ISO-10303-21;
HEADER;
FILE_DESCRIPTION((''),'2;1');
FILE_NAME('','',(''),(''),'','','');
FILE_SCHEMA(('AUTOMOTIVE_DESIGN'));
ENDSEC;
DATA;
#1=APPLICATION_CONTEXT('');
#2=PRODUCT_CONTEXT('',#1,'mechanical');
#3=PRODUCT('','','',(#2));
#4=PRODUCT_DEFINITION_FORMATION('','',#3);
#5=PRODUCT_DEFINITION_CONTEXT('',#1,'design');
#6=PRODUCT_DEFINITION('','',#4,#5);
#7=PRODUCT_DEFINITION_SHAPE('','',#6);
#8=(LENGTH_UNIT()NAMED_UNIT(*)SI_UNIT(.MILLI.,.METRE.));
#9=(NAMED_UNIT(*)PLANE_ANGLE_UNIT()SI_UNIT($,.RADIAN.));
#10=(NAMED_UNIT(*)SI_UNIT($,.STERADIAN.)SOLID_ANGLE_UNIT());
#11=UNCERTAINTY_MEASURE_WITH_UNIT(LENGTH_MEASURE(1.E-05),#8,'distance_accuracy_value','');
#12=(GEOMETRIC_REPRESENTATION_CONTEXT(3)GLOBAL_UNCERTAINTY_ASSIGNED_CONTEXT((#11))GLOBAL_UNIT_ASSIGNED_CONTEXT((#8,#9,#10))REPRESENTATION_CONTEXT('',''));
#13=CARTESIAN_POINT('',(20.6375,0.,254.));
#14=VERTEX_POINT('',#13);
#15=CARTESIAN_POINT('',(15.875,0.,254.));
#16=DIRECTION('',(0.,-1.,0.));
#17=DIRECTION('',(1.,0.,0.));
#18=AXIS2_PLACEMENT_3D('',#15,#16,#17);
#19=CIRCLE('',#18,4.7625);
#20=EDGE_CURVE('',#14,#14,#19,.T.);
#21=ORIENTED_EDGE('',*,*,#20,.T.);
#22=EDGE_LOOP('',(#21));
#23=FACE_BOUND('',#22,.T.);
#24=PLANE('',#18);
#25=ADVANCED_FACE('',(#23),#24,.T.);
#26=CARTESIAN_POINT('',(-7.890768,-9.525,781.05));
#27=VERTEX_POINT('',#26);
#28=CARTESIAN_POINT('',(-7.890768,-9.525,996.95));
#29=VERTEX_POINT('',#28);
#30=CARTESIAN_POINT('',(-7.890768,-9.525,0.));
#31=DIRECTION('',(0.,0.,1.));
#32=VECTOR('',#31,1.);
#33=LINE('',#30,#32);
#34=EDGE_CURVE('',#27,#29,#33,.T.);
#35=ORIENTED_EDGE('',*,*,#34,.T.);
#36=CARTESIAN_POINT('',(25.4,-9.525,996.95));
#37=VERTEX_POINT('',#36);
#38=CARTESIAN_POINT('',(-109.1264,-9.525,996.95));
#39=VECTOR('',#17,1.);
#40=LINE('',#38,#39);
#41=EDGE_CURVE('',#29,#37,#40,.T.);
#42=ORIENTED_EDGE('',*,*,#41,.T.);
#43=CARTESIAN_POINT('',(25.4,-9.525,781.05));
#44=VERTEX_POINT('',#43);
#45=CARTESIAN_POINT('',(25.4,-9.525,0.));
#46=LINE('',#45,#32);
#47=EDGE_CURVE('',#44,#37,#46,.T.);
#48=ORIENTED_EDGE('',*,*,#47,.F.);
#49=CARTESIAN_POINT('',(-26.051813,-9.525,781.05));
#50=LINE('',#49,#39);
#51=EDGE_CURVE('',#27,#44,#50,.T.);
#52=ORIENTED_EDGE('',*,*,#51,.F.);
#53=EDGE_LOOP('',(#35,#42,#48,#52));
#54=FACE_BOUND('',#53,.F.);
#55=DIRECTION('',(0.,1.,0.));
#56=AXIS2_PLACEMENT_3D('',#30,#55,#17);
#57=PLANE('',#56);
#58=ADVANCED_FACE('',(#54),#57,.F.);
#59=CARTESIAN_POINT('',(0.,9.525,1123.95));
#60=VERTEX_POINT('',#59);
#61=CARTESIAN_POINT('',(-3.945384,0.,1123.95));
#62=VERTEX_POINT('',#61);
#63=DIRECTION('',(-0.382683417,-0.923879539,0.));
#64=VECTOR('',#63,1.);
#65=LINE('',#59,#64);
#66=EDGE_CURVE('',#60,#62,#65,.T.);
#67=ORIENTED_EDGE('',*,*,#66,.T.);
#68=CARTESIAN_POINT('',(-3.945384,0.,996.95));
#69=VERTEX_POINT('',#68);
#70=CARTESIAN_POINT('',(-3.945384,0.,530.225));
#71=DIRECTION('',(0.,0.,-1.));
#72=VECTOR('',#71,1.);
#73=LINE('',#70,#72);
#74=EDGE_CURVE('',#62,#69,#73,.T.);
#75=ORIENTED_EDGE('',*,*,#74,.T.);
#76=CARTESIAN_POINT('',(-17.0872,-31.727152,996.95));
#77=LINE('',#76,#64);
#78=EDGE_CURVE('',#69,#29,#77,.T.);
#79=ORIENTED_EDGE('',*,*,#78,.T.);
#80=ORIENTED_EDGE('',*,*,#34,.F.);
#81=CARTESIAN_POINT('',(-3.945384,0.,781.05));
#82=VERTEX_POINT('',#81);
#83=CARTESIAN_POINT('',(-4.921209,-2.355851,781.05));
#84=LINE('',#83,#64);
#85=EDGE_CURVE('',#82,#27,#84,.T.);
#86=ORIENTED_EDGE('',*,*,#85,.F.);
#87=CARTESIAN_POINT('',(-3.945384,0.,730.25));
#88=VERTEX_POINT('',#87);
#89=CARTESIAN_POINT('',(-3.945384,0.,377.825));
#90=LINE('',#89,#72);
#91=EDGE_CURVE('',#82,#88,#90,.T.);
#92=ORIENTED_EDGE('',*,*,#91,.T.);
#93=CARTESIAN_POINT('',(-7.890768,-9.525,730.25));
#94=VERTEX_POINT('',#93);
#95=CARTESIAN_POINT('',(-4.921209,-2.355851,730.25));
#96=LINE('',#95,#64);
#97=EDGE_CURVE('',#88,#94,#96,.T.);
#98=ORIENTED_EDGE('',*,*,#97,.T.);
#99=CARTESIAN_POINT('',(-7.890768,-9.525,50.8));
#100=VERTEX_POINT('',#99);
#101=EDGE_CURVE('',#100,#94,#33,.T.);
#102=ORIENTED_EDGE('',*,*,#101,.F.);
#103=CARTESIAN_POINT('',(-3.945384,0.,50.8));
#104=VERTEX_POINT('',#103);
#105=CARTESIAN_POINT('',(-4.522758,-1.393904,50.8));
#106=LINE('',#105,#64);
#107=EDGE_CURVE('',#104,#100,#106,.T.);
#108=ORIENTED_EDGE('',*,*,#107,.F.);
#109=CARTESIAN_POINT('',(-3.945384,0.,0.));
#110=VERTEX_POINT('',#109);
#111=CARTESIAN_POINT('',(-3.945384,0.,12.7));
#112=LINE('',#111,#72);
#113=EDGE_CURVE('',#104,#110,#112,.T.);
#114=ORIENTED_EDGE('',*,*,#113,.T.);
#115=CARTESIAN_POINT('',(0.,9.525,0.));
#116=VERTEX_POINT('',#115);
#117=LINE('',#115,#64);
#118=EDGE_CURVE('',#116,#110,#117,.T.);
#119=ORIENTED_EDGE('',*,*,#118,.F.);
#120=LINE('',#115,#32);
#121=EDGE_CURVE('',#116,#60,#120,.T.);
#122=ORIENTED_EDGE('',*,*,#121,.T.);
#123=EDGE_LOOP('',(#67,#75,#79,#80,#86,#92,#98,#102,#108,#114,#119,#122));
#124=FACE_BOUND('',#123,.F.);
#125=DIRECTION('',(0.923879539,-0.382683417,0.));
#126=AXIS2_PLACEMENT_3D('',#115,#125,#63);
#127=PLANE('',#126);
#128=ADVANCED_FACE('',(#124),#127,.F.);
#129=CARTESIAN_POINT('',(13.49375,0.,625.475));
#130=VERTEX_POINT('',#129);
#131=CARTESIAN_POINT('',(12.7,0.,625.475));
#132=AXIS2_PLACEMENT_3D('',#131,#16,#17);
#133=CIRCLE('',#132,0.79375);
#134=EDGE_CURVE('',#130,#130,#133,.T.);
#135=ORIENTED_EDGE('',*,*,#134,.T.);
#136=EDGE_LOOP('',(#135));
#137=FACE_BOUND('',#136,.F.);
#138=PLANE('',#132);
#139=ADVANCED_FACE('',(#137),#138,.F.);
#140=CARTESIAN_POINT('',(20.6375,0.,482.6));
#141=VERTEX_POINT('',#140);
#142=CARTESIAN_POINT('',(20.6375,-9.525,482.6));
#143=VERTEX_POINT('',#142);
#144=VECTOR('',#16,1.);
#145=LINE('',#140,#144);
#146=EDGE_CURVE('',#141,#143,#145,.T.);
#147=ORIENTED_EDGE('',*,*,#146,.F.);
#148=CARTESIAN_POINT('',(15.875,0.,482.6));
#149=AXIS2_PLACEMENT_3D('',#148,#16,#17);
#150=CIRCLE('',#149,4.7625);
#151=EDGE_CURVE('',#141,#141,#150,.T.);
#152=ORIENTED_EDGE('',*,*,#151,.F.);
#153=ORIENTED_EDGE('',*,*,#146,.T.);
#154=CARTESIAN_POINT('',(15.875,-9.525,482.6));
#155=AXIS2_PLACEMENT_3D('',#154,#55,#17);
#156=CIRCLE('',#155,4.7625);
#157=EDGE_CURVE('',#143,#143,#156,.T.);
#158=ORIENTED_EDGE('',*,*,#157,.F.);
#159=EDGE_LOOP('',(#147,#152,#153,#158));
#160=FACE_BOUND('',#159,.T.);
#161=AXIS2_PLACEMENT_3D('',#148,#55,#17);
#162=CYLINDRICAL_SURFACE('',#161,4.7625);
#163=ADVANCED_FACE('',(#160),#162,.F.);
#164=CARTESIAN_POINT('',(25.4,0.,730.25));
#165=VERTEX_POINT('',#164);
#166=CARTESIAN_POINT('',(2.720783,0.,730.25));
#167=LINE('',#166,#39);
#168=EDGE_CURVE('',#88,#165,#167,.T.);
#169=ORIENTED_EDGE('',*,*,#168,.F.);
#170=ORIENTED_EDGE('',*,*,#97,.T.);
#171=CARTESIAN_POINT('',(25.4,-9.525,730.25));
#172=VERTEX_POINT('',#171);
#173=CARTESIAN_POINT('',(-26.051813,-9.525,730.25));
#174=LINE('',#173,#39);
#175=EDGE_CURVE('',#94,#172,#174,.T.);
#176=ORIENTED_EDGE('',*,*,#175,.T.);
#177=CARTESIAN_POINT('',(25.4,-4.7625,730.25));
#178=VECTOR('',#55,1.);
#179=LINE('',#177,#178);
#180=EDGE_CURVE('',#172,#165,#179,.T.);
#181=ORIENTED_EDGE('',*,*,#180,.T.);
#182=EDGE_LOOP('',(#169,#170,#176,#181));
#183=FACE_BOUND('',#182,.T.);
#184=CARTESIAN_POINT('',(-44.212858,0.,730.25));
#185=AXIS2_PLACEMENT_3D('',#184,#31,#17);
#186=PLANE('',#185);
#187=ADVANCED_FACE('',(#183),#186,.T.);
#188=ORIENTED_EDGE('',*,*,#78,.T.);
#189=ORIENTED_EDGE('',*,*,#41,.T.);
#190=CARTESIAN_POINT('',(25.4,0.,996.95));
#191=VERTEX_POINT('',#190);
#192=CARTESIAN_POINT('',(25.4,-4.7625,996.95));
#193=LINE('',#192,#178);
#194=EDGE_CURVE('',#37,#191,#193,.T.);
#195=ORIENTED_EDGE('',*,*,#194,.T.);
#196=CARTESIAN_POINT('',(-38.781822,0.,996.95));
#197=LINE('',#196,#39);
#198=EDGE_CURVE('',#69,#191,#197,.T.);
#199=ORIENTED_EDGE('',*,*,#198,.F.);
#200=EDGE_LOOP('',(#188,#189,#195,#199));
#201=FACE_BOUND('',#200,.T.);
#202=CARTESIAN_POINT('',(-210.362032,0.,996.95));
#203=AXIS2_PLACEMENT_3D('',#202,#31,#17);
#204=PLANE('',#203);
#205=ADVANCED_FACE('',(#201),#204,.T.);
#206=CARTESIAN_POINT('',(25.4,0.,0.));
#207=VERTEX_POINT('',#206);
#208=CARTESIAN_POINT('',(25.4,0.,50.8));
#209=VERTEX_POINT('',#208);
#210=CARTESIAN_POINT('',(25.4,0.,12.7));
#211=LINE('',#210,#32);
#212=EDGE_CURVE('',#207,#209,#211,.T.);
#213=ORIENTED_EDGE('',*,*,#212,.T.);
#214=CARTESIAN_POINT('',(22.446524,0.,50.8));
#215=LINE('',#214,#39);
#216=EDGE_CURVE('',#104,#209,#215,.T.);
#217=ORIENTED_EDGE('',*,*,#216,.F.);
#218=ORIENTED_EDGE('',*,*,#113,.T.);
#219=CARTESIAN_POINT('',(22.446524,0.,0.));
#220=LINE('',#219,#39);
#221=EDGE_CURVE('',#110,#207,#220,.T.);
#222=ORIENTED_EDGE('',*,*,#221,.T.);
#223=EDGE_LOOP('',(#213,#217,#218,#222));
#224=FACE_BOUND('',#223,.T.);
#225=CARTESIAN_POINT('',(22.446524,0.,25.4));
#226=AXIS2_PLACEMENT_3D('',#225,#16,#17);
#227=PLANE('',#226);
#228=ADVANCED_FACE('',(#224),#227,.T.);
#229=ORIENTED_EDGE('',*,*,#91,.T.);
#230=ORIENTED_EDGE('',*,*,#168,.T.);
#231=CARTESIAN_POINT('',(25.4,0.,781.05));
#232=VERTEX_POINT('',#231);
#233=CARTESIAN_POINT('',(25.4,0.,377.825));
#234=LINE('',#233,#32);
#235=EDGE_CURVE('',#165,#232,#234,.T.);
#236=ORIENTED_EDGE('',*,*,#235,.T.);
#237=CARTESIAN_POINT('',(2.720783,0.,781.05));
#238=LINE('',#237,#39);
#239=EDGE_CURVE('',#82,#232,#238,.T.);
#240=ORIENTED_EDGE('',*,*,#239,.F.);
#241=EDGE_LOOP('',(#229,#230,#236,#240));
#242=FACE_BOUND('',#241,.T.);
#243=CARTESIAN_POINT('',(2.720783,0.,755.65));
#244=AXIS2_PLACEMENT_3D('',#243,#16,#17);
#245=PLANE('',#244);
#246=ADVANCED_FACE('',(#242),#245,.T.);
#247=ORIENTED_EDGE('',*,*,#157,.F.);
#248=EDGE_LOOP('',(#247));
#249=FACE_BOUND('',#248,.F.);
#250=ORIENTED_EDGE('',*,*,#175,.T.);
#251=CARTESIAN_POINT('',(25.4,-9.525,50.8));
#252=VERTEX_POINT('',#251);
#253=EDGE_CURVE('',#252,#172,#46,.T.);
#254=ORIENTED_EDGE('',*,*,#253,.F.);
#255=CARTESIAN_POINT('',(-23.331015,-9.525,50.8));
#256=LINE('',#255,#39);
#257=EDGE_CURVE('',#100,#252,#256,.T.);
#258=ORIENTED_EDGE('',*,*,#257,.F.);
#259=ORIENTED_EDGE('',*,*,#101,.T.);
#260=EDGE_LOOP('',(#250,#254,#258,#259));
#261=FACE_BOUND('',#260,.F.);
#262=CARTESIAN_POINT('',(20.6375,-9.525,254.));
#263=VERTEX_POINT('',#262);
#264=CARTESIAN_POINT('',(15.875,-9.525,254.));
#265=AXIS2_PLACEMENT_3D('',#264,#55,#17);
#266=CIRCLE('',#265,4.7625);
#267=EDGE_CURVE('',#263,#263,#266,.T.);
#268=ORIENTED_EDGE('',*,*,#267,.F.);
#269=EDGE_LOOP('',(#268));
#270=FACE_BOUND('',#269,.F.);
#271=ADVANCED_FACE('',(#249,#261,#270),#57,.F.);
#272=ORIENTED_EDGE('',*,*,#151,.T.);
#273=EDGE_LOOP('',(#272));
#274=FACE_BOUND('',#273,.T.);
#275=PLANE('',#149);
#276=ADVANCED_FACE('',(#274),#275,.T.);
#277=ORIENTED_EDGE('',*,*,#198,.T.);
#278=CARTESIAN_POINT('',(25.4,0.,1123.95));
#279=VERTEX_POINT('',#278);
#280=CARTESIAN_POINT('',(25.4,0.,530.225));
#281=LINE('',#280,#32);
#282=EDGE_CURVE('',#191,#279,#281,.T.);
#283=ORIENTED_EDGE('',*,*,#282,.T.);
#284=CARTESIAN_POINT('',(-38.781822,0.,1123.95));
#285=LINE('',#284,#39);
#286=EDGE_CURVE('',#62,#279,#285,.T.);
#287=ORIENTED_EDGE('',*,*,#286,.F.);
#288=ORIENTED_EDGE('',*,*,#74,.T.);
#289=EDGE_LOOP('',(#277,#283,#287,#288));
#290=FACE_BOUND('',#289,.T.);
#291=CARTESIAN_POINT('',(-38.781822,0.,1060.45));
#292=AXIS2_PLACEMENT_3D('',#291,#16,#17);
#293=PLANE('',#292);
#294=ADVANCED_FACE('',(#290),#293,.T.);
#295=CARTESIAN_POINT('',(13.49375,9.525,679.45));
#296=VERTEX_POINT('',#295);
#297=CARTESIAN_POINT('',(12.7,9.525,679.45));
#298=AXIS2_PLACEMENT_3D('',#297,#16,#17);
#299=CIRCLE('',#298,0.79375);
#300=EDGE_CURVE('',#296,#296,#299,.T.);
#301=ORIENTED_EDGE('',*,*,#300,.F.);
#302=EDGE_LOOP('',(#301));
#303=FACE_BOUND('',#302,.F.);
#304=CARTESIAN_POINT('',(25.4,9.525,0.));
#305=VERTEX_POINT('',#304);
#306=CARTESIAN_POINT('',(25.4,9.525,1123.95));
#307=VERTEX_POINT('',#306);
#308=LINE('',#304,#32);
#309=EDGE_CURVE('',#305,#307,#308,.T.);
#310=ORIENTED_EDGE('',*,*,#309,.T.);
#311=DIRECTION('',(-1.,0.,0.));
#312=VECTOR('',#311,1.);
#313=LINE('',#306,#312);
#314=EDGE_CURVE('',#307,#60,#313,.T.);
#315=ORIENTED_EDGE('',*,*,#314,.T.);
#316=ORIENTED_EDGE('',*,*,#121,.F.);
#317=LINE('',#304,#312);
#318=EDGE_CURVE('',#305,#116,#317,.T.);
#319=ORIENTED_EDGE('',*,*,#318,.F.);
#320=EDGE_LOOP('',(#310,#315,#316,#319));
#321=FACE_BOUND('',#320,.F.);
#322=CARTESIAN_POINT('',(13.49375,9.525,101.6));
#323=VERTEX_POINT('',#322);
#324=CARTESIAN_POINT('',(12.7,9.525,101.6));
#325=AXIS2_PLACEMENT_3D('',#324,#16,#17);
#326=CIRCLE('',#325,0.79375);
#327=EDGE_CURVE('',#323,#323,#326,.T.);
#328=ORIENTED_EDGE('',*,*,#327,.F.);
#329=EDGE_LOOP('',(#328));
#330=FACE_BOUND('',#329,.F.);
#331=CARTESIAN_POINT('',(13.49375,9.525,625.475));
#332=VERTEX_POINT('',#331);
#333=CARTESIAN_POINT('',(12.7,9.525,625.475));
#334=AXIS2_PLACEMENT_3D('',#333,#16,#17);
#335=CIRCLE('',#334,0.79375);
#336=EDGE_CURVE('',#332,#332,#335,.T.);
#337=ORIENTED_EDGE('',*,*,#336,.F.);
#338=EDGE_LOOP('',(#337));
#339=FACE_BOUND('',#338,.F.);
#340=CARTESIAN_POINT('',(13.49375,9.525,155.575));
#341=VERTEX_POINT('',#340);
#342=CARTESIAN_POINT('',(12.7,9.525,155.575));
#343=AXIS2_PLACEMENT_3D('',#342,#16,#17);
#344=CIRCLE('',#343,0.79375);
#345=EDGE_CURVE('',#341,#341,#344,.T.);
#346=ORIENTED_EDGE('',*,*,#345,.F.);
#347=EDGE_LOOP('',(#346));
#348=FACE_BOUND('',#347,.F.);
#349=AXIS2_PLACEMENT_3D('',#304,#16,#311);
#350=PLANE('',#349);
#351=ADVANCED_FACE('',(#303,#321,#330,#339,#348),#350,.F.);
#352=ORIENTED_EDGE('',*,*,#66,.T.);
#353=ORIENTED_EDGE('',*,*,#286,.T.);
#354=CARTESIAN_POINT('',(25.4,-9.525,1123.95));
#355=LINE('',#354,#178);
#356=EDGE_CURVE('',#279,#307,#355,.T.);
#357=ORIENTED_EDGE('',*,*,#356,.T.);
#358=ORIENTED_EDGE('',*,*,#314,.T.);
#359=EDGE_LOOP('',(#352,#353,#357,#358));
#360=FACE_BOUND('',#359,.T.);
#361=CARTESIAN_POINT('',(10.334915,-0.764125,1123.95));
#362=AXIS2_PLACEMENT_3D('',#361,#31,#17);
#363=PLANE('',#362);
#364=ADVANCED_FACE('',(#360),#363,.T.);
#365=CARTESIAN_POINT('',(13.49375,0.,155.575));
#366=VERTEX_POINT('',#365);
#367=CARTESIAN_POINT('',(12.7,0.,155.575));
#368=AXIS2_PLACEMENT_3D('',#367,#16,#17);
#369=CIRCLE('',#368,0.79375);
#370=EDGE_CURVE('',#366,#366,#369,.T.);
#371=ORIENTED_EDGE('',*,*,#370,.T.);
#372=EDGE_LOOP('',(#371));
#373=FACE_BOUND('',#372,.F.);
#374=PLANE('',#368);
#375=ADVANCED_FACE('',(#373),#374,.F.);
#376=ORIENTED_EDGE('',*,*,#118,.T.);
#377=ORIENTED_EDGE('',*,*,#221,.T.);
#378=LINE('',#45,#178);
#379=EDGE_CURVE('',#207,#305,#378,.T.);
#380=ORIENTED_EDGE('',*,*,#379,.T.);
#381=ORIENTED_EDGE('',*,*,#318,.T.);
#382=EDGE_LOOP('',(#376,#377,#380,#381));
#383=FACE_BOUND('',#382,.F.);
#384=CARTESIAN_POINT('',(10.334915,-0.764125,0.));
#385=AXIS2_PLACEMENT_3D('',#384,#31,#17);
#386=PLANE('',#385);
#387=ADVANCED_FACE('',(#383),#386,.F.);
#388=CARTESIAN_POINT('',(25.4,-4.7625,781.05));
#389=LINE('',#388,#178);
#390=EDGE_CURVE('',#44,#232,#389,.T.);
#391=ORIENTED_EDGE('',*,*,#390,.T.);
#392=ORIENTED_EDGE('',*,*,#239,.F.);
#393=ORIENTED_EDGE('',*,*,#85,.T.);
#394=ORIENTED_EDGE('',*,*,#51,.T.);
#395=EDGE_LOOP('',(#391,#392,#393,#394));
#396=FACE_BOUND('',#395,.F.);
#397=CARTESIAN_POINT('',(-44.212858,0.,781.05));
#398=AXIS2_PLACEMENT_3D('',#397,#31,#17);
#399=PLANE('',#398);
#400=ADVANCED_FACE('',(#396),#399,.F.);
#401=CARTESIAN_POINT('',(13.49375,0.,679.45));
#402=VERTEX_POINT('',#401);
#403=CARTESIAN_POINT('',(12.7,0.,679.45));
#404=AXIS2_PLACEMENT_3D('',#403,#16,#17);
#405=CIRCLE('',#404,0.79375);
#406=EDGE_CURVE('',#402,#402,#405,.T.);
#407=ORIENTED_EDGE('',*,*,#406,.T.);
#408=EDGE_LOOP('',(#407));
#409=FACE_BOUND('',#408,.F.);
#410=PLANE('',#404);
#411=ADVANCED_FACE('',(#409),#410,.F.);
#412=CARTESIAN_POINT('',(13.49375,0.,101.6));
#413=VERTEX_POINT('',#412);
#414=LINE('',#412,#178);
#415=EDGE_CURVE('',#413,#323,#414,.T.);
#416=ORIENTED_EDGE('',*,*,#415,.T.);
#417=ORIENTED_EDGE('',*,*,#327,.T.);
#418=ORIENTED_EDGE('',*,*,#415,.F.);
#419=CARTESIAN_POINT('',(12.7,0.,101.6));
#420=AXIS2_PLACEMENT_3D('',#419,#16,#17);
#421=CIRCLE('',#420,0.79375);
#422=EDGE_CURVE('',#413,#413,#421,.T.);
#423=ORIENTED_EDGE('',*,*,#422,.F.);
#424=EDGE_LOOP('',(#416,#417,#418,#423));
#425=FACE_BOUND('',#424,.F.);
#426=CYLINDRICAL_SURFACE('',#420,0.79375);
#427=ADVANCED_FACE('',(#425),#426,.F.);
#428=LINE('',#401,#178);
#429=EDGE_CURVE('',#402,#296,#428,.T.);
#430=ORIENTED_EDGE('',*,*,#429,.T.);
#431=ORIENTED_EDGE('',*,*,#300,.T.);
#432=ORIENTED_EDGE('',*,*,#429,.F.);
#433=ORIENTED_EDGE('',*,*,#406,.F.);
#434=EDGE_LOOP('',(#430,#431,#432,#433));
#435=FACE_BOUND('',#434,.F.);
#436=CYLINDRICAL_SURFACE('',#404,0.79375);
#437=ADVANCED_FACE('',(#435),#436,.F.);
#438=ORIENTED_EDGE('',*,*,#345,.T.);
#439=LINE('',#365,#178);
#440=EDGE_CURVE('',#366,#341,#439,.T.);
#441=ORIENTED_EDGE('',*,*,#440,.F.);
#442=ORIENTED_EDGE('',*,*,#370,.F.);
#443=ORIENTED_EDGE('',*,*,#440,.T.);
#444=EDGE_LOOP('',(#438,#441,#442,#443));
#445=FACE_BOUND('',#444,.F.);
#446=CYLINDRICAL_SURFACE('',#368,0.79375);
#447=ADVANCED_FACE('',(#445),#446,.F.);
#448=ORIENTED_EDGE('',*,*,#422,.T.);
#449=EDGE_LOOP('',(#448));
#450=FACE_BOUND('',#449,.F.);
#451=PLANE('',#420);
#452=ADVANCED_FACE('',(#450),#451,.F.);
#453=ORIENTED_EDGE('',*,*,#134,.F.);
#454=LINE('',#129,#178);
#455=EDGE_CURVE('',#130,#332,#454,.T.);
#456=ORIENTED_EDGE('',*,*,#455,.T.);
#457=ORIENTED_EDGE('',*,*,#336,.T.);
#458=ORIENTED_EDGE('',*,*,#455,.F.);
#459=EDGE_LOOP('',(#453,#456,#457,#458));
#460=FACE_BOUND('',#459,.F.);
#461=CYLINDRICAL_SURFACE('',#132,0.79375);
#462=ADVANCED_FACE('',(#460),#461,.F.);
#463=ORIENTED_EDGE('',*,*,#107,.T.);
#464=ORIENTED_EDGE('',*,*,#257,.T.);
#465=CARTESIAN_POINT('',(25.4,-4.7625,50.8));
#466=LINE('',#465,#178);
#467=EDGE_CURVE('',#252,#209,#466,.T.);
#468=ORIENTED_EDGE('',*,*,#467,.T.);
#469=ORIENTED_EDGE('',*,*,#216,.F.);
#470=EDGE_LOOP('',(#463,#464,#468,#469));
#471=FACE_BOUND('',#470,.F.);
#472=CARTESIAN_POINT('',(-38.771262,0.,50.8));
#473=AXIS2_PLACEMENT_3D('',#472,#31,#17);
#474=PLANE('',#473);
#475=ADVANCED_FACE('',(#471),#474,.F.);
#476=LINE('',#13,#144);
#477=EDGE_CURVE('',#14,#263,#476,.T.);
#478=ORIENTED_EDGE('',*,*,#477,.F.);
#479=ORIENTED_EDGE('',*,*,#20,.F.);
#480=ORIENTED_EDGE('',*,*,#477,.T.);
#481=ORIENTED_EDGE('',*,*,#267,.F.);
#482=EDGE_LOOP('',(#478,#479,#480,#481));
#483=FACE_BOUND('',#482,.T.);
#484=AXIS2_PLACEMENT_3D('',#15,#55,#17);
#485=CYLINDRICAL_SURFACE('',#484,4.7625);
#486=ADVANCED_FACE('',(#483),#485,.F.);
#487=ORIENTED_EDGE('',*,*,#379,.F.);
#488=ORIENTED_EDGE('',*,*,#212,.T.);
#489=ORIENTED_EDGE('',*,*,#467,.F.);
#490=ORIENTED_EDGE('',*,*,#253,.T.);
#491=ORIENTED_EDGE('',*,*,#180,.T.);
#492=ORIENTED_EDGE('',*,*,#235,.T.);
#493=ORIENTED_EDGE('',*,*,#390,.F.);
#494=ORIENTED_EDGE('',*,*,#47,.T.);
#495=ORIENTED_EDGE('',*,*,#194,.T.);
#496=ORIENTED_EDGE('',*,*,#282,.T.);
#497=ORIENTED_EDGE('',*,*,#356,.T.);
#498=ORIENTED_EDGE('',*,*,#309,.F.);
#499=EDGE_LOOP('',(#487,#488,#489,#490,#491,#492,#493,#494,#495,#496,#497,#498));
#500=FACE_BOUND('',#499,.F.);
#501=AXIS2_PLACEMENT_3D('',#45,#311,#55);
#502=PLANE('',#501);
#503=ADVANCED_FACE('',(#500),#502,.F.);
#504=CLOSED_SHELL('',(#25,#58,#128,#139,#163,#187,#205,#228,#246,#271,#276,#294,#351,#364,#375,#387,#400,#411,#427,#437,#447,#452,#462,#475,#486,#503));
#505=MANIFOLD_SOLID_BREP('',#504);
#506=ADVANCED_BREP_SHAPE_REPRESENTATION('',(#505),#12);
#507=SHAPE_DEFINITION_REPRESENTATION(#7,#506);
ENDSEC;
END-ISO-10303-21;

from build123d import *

# Parameters (mm, degrees)
F1_DEPTH = 1123.95
F2_W     = 122.435573
F2_H     = 50.8
F2_W_2   = 93.867282
F2_W_3   = 343.160421
F2_H_2   = 127
F3_DEPTH = 25.4
F4_R     = 0.79375
F5_DEPTH = 25.4
F6_R     = 4.7625
F7_DEPTH = 25.4


with BuildPart() as f1:
    # F0 (on Top) → F1 (new body)
    with BuildSketch(Plane.XY):
        Polygon((25.4, -9.525), (25.4, 9.525), (0, 9.525), (-7.890768, -9.525), align=None)
    extrude(amount=F1_DEPTH)

    # F2 (on Front) → F3 (cut)
    with BuildSketch(Plane.XZ):
        with Locations((22.446524, 25.4)):
            Rectangle(F2_W, F2_H)
        with Locations((2.720783, 755.65)):
            Rectangle(F2_W_2, F2_H)
        with Locations((-38.781822, 1060.45)):
            Rectangle(F2_W_3, F2_H_2)
    extrude(amount=F3_DEPTH, mode=Mode.SUBTRACT)

    # F4 (on Front) → F5 (cut)
    with BuildSketch(Plane.XZ):
        with Locations((12.7, 101.6)):
            Circle(F4_R)
        with Locations((12.7, 155.575)):
            Circle(F4_R)
        with Locations((12.7, 625.475)):
            Circle(F4_R)
        with Locations((12.7, 679.45)):
            Circle(F4_R)
        with Locations((-12.7, 625.475)):
            Circle(F4_R)
        with Locations((-12.7, 679.45)):
            Circle(F4_R)
        with Locations((-12.7, 101.6)):
            Circle(F4_R)
        with Locations((-12.7, 155.575)):
            Circle(F4_R)
    extrude(amount=-F5_DEPTH, mode=Mode.SUBTRACT)

    # F6 (on Front) → F7 (cut)
    with BuildSketch(Plane.XZ):
        with Locations((15.875, 254)):
            Circle(F6_R)
        with Locations((15.875, 482.6)):
            Circle(F6_R)
    extrude(amount=F7_DEPTH, mode=Mode.SUBTRACT)


solid = f1.part
